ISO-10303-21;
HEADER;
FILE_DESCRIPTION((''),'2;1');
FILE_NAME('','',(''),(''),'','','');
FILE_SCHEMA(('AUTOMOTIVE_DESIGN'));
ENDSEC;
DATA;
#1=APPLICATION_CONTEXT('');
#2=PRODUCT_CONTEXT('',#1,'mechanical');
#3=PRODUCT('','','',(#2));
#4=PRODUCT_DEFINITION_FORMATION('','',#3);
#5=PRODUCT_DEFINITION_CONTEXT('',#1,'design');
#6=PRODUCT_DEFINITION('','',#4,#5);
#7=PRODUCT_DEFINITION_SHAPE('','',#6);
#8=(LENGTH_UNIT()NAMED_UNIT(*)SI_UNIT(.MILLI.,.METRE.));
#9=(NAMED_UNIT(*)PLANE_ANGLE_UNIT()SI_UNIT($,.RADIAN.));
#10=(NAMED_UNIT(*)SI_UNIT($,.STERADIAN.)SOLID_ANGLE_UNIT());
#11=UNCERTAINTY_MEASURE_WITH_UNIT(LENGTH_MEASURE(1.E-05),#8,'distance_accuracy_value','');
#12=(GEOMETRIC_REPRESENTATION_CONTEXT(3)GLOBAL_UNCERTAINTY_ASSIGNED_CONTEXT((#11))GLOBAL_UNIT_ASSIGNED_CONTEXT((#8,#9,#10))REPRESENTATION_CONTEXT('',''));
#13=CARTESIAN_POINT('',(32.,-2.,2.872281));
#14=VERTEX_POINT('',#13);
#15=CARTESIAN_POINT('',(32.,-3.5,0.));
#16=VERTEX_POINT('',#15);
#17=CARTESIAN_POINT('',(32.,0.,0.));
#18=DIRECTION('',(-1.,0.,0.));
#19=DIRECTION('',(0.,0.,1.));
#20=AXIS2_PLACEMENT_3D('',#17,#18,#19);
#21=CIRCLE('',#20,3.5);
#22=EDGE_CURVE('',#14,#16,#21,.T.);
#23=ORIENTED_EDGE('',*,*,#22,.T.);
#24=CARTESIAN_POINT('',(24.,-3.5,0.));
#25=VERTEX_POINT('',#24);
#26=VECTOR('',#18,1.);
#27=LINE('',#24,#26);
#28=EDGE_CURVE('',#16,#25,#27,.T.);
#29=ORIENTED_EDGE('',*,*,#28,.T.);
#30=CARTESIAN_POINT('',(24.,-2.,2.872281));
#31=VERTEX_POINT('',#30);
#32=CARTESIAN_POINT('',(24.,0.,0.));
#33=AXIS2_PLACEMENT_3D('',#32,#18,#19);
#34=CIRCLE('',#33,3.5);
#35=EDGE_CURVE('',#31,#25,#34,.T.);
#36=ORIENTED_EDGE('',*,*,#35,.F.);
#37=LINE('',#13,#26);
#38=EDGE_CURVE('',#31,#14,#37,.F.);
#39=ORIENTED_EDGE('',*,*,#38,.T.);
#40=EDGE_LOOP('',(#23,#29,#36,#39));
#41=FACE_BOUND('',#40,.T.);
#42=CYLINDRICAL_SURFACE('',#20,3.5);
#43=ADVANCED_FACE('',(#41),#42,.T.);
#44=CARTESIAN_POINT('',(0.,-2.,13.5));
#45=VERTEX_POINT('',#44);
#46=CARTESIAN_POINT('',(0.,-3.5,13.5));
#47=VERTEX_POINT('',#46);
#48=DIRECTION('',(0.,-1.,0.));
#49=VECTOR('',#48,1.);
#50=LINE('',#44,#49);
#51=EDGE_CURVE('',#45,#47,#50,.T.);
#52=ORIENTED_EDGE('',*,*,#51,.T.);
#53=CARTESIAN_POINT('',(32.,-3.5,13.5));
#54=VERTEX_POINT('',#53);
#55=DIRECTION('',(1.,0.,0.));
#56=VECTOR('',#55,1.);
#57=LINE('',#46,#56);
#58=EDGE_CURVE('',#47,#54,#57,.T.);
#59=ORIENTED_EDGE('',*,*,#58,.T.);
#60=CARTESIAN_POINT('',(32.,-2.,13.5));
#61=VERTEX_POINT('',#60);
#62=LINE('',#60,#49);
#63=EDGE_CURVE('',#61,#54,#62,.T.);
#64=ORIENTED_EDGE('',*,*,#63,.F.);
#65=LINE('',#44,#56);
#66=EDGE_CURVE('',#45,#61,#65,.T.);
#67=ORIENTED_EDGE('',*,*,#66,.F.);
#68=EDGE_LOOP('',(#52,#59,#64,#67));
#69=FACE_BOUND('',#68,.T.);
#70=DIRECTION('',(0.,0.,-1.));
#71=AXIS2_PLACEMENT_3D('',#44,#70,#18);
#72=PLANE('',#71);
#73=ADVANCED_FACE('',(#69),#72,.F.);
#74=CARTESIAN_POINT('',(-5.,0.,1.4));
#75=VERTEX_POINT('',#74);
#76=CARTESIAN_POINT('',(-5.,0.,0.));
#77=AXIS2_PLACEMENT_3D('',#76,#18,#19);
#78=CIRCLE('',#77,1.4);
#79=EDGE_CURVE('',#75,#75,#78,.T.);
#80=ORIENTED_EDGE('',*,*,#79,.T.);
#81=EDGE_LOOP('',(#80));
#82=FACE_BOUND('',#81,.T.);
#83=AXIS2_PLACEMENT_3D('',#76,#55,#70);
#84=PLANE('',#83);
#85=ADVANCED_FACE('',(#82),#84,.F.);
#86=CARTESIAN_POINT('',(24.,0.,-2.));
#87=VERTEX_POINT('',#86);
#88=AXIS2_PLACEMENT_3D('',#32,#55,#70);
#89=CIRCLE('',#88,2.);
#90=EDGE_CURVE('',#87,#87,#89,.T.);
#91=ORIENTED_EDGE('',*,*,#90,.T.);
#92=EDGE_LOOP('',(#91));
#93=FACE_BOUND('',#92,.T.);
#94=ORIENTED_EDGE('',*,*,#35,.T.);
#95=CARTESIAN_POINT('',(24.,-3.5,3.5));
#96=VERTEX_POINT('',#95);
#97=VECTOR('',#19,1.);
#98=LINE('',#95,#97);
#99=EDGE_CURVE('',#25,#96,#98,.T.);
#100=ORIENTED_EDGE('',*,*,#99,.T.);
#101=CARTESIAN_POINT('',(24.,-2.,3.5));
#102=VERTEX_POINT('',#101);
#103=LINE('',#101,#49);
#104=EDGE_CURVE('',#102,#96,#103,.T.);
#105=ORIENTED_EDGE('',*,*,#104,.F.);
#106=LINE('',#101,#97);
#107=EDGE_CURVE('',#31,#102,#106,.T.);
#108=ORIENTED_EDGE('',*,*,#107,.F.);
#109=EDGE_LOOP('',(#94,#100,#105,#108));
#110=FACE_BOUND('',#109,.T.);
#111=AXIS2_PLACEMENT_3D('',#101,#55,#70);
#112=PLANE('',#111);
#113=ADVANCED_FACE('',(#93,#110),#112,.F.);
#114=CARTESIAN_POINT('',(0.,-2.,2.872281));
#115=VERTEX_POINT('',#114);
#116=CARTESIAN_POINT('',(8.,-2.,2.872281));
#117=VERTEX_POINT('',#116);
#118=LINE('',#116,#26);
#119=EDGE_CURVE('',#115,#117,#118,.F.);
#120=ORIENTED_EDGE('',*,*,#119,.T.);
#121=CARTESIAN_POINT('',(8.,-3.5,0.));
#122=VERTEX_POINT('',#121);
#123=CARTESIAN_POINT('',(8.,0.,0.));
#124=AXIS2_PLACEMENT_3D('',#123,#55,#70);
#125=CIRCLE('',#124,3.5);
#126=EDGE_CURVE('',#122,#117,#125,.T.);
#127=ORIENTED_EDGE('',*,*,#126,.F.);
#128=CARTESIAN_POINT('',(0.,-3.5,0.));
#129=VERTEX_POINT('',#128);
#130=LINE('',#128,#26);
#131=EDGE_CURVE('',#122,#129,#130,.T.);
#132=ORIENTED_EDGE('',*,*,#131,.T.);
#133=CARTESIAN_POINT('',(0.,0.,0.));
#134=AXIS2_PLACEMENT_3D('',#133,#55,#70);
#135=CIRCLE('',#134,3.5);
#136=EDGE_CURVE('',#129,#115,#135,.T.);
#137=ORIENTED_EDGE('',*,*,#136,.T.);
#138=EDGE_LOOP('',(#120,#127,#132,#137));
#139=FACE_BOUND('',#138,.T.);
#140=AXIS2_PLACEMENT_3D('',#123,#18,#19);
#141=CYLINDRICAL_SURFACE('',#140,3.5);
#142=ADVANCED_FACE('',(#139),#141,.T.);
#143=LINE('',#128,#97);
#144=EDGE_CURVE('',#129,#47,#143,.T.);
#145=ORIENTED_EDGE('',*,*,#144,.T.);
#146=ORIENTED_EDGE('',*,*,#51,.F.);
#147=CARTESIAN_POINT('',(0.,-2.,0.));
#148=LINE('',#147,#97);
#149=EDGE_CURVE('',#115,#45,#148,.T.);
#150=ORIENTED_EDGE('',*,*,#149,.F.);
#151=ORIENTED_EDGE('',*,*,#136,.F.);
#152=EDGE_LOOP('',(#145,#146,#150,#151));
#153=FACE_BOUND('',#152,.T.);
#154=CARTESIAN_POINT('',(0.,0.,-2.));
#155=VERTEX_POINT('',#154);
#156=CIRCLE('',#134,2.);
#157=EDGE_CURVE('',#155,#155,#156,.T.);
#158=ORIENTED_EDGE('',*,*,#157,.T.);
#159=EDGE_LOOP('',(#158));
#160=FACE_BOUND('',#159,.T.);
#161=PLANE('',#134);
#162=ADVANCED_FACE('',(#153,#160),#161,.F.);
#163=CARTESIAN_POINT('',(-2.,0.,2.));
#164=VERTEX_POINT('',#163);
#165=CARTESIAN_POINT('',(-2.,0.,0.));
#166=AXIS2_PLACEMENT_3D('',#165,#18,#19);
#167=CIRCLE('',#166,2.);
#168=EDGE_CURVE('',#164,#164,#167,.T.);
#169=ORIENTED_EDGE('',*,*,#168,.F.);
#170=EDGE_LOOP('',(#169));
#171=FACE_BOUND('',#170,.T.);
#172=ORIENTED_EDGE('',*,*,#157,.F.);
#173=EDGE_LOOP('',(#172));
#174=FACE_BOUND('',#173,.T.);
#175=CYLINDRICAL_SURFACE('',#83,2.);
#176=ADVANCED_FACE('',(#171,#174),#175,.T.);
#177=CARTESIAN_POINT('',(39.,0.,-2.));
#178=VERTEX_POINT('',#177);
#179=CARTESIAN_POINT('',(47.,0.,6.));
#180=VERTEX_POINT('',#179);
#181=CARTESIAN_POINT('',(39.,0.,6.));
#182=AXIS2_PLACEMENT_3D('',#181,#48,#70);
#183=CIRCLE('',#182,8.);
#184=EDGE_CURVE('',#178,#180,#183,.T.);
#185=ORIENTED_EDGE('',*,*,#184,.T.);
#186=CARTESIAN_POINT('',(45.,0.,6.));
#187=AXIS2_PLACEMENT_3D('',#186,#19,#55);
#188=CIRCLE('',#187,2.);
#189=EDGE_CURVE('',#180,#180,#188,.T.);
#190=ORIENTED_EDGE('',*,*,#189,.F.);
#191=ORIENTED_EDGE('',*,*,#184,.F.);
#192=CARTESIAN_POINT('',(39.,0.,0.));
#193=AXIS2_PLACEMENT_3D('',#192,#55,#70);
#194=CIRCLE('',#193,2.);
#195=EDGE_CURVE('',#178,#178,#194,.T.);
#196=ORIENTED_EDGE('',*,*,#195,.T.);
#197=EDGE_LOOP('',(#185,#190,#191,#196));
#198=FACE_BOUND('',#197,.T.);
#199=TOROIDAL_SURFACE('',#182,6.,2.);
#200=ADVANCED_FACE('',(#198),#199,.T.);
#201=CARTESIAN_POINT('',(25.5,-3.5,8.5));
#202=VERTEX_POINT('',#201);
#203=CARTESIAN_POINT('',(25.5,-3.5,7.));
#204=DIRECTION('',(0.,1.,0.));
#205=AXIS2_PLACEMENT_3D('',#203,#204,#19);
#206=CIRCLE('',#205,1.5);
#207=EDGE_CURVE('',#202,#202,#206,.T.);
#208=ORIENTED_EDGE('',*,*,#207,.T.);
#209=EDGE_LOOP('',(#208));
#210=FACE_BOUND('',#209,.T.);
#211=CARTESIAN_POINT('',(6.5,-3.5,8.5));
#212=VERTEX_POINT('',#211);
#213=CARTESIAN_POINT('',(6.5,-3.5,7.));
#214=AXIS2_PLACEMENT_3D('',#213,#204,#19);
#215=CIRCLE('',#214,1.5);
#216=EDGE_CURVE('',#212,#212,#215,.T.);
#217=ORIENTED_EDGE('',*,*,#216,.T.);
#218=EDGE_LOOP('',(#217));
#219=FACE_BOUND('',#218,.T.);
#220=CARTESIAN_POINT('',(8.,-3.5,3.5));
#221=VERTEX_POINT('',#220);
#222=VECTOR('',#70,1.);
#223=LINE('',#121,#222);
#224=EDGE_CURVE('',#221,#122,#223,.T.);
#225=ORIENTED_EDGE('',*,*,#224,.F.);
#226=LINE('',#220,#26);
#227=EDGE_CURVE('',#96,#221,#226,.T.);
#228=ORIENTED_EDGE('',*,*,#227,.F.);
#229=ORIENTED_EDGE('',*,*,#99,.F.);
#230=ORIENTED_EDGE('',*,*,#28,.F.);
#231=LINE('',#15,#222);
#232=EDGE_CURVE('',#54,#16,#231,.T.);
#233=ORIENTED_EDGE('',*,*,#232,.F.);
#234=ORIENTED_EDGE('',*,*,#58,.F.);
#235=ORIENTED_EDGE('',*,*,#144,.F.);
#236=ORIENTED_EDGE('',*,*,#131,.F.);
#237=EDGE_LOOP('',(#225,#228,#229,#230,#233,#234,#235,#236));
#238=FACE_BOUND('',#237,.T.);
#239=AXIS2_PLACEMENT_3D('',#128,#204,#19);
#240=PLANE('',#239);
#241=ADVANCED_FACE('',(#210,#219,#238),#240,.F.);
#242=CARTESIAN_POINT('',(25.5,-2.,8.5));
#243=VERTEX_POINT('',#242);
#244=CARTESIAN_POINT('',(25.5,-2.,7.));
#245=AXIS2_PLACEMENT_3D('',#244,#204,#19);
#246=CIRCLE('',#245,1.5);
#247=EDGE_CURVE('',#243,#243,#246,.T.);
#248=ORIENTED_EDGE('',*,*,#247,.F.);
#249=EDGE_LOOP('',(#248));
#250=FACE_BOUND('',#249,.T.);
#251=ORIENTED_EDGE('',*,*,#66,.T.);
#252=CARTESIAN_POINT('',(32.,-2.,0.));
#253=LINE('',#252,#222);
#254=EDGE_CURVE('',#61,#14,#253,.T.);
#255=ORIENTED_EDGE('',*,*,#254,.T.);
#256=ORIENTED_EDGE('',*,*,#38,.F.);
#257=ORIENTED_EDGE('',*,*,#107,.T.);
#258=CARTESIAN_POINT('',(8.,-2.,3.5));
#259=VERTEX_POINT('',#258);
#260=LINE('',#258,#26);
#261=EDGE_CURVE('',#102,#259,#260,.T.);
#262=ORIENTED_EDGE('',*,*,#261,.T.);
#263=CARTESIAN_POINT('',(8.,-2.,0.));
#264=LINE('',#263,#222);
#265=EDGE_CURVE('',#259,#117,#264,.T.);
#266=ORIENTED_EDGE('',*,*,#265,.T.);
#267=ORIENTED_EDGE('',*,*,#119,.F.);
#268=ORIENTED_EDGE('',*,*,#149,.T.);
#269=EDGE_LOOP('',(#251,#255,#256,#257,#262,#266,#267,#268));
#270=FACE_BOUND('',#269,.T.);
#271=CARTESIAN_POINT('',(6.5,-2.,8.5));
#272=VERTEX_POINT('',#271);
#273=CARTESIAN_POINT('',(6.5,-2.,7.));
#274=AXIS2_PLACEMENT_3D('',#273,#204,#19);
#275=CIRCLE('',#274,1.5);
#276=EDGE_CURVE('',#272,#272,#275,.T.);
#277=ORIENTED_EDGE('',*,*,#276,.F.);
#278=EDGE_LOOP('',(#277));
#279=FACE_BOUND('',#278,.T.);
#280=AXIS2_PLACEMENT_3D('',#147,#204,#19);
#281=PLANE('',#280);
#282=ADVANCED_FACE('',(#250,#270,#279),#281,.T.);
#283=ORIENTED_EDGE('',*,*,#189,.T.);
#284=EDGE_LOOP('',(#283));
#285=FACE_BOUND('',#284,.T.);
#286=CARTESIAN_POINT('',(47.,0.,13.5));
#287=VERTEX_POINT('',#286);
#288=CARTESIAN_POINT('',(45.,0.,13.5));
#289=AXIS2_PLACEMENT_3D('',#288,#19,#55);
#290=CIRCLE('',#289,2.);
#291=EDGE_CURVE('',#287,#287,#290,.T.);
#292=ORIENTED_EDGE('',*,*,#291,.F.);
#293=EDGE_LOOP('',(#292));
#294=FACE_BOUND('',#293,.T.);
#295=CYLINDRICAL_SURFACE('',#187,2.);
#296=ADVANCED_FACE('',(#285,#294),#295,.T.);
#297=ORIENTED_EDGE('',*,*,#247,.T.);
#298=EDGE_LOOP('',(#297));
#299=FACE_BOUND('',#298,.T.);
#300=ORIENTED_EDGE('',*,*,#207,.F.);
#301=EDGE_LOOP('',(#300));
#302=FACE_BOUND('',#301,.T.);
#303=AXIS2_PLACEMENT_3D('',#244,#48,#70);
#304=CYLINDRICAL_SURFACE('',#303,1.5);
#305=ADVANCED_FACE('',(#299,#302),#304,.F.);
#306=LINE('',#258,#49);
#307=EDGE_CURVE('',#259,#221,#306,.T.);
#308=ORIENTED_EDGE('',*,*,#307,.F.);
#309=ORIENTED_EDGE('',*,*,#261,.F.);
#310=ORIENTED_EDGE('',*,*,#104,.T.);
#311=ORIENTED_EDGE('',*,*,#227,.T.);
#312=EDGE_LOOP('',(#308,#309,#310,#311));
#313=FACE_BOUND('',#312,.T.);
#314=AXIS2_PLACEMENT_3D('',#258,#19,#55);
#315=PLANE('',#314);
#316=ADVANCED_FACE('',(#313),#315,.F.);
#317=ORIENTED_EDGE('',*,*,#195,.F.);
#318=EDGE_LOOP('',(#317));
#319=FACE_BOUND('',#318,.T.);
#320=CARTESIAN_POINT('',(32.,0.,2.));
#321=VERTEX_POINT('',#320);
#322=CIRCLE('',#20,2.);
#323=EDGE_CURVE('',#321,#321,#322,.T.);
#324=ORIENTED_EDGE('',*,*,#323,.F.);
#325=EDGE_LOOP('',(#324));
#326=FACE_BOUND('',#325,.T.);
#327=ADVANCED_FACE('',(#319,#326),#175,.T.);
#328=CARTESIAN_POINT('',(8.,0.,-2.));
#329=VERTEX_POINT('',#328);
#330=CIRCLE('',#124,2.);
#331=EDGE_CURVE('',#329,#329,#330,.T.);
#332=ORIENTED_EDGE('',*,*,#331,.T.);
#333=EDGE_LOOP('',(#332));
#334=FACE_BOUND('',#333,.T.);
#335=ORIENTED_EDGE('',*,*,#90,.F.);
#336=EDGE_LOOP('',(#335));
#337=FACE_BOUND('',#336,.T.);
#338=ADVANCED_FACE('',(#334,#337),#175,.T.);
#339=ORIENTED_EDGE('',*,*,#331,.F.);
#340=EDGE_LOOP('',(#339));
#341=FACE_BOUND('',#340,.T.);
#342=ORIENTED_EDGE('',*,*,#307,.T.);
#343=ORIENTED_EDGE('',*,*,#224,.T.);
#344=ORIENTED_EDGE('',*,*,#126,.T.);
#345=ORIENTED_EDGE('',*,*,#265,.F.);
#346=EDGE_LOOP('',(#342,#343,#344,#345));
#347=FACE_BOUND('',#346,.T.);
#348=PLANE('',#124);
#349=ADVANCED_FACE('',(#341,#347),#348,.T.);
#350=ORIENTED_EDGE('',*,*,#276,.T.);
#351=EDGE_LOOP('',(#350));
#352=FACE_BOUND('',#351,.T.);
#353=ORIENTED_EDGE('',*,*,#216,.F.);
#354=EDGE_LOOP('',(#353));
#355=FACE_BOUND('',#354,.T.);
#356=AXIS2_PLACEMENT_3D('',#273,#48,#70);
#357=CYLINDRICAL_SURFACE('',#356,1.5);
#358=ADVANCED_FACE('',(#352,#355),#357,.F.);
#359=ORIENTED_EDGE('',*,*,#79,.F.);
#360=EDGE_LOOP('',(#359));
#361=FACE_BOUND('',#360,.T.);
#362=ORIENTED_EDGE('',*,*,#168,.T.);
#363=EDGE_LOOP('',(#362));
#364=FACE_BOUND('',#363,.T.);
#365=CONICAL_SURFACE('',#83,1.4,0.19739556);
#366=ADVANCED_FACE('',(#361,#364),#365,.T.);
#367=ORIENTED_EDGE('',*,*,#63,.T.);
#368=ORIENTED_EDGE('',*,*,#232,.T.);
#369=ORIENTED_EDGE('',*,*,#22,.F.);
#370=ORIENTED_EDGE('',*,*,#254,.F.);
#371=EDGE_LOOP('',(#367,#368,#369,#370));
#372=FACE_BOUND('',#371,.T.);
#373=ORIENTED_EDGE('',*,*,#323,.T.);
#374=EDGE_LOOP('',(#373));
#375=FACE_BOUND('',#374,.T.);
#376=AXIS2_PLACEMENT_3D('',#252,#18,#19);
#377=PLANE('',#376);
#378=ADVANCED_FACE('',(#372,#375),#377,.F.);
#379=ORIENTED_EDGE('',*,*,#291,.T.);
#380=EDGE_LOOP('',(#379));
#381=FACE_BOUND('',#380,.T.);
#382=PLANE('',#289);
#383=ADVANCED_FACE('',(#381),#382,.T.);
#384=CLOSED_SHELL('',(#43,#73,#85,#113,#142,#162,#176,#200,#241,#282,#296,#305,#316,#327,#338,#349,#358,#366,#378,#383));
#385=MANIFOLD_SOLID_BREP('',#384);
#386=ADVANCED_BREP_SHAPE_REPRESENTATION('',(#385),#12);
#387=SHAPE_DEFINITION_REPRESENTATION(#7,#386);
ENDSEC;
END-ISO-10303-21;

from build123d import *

# Parameters (mm, degrees)
SKETCH_6_R      = 3.5
EXTRUDE_4_DEPTH = 8
EXTRUDE_START   = -24
SKETCH_7_R      = 3.5
EXTRUDE_5_DEPTH = 8
EXTRUDE_START_2 = -3.5
SKETCH_8_R      = 1.5
EXTRUDE_6_DEPTH = 1.5
SKETCH_10_R     = 2


with BuildPart() as part:
    # 草图6 → 凸台-拉伸4 (new body)
    with BuildSketch(Plane(origin=(0, 0, 0), x_dir=(0, 0, -1), z_dir=(1, 0, 0))):
        Circle(SKETCH_6_R)
    extrude(amount=EXTRUDE_4_DEPTH)



with BuildPart() as body_2:
    # 草图7 → 凸台-拉伸5 (new body)
    with BuildSketch(Plane.ZY.offset(EXTRUDE_START)):
        with Locations(Location((0, 0, 0), (0, 0, 180))):
            Circle(SKETCH_7_R)
    extrude(amount=-EXTRUDE_5_DEPTH)


with BuildPart() as part_1:
    add(part.part)

    add(body_2.part)  # 凸台-拉伸6 merges body 2
    # 草图8 → 凸台-拉伸6 (add)
    with BuildSketch(Plane(origin=(0, 0, 0), x_dir=(1, 0, 0), z_dir=(0, 1, 0)).offset(EXTRUDE_START_2)):
        Polygon((0, 0), (8, 0), (8, -3.5), (24, -3.5), (24, 0), (32, 0), (32, -13.5), (0, -13.5), align=None)
        with Locations(Location((25.5, -7, 0), (0, 0, 270))):
            Circle(SKETCH_8_R, mode=Mode.SUBTRACT)
        with Locations(Location((6.5, -7, 0), (0, 0, 270))):
            Circle(SKETCH_8_R, mode=Mode.SUBTRACT)
    extrude(amount=EXTRUDE_6_DEPTH)

    # 扫描1: sweep along a path in 草图9
    with BuildLine(Plane(origin=(0, 0, 0), x_dir=(1, 0, 0), z_dir=(0, 1, 0))) as sweep_1_path:
        Line((-5, 0), (39, 0))
        ThreePointArc((39, 0), (43.242640687, -1.757359313), (45, -6))
        Line((45, -6), (45, -13.5))
    # 草图10 → 扫描1 (sweep)
    with BuildSketch(Plane(origin=(-5, 0, 0), x_dir=(0, 0, -1), z_dir=(1, 0, 0))):
        Circle(SKETCH_10_R)
    sweep(path=sweep_1_path.line)

    # 草图11 → 切除-旋转1 (revolve, cut)
    with BuildSketch(Plane(origin=(0, 0, 0), x_dir=(1, 0, 0), z_dir=(0, 1, 0))):
        Polygon((-2, 2), (-5, 2), (-5, 1.4), align=None)
    revolve(axis=Axis((-14.922922677, 0, 0), (1, 0, 0)), mode=Mode.SUBTRACT)


solid = part_1.part
